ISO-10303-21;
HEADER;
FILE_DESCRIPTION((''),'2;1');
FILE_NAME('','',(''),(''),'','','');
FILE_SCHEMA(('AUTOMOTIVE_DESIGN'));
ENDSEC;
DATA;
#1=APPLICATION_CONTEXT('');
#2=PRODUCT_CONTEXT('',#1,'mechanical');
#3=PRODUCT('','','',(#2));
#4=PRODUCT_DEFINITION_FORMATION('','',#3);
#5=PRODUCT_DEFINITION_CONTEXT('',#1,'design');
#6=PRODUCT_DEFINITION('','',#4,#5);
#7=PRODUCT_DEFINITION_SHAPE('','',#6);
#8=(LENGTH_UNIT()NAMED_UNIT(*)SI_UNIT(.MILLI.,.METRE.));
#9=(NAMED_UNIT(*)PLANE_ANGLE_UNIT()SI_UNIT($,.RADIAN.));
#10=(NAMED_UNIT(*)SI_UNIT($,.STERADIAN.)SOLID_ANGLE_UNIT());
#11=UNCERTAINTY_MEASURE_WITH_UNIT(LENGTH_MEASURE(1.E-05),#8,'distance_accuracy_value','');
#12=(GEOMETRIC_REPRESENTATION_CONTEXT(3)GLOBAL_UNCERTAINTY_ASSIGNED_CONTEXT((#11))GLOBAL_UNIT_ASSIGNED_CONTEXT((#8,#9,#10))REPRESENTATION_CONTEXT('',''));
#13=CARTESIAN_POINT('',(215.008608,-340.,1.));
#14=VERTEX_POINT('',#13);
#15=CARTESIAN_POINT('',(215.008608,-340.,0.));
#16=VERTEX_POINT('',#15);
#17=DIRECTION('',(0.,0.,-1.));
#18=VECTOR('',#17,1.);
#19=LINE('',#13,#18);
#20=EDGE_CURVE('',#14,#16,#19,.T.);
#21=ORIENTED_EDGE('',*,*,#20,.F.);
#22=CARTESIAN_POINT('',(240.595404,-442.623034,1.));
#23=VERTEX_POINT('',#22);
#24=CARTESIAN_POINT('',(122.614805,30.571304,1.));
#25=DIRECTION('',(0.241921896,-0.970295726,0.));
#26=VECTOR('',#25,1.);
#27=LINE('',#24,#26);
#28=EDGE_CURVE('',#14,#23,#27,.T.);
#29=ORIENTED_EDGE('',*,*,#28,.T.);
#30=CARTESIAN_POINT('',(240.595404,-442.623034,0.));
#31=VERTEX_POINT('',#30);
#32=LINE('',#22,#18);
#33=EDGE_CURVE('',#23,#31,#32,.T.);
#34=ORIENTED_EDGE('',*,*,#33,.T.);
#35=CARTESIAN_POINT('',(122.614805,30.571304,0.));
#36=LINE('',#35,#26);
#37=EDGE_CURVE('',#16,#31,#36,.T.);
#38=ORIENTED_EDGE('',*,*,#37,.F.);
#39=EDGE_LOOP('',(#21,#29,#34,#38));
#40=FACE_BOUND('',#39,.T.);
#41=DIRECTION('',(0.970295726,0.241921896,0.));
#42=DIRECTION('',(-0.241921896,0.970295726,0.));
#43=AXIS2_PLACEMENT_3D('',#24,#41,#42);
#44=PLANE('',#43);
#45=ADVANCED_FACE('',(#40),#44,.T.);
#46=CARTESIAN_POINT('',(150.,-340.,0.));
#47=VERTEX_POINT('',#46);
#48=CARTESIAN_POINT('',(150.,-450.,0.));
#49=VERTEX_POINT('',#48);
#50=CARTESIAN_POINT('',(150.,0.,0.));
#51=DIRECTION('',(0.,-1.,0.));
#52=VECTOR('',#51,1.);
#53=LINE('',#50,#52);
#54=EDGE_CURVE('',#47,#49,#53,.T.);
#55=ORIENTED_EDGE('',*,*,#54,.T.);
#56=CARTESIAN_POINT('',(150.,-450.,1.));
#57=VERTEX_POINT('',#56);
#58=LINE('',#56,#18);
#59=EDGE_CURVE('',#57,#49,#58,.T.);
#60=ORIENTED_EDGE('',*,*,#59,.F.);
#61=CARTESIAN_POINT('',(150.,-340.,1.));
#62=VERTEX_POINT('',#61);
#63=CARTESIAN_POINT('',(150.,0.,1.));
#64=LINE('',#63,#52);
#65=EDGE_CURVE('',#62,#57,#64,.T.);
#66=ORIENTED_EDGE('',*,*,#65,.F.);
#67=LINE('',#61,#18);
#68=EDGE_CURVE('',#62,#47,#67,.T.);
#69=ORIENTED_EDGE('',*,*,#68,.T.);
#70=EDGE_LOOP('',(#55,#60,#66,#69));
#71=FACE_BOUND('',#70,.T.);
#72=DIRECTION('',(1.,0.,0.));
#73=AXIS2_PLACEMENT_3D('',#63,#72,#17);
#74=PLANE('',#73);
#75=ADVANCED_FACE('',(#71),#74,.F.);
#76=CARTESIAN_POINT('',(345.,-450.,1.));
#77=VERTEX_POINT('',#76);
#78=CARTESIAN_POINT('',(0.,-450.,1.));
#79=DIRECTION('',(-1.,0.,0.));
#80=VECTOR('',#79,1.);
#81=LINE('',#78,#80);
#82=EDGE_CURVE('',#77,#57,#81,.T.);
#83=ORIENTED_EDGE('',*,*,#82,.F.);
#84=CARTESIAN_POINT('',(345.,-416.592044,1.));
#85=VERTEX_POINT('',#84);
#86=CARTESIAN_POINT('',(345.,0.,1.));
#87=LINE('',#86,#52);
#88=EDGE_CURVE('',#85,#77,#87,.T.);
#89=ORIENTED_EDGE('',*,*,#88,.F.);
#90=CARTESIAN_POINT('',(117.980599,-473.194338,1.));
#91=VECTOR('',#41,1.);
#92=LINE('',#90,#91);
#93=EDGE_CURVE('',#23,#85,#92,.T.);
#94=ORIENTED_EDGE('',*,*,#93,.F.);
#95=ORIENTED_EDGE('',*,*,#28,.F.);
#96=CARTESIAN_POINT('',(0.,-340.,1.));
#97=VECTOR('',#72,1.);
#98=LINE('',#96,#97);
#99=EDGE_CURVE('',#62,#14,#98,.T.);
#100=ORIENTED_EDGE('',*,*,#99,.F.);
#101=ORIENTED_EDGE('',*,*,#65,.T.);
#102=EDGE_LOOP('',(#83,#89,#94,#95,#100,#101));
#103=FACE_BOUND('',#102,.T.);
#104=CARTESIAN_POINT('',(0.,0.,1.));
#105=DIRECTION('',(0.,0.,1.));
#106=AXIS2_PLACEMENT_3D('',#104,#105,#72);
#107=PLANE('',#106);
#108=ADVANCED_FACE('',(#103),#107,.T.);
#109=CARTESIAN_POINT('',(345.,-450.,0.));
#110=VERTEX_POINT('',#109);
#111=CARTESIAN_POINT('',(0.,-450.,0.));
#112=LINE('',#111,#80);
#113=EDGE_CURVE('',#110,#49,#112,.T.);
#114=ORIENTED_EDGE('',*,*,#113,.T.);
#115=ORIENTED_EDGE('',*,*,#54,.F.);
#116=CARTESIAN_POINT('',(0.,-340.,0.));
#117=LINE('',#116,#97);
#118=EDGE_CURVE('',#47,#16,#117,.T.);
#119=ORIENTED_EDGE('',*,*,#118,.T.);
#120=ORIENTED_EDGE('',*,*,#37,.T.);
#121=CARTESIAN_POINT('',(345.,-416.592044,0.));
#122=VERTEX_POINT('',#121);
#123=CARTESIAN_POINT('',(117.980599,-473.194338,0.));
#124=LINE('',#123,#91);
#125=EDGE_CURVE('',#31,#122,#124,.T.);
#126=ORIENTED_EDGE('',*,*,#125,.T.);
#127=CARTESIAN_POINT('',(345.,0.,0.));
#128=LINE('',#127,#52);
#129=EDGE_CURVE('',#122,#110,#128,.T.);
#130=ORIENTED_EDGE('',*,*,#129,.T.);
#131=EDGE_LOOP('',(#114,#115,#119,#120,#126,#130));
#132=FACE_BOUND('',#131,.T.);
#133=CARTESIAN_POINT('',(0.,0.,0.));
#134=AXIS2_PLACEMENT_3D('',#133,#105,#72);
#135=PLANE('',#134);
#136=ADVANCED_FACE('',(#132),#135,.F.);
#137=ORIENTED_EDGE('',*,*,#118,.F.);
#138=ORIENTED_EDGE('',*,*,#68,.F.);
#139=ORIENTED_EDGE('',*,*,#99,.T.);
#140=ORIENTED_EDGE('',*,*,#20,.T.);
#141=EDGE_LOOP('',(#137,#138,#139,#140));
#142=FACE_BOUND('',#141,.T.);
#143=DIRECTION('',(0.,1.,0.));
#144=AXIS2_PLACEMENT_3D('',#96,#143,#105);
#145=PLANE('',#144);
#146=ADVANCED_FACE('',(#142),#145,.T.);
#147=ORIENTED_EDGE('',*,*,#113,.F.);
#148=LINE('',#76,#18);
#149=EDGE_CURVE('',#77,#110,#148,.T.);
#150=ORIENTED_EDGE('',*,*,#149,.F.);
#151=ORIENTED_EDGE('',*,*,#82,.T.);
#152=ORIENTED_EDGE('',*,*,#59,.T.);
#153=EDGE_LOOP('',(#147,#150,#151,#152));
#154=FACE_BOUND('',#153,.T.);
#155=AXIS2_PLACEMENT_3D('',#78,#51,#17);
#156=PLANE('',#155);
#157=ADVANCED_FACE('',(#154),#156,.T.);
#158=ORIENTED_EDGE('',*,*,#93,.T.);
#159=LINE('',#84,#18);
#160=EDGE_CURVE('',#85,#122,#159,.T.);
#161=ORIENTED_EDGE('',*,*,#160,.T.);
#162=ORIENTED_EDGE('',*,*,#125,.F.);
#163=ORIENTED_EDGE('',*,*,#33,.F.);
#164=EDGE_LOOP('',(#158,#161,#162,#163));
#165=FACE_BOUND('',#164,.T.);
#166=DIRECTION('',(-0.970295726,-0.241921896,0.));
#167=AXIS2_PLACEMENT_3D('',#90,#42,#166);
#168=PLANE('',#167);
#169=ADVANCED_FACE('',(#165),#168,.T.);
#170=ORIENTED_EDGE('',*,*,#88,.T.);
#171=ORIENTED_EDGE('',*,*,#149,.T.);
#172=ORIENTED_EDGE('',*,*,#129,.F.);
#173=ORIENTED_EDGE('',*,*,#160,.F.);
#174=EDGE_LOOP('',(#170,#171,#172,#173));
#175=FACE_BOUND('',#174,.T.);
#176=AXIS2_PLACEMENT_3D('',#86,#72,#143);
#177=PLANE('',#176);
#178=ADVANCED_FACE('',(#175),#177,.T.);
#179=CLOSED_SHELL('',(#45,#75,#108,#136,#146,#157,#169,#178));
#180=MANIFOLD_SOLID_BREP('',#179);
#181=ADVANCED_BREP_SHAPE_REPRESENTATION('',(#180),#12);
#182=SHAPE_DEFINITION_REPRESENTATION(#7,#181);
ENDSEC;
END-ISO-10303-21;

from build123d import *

# Parameters (mm, degrees)
BOSS_EXTRUDE1_DEPTH = 1


with BuildPart() as part:
    # Sketch1 → Boss-Extrude1 (new body)
    with BuildSketch(Plane.XY):
        Polygon((150, -340), (215.008607966, -340), (240.59540403, -442.623033803), (345, -416.592044402), (345, -450), (150, -450), align=None)
    extrude(amount=BOSS_EXTRUDE1_DEPTH)


solid = part.part
